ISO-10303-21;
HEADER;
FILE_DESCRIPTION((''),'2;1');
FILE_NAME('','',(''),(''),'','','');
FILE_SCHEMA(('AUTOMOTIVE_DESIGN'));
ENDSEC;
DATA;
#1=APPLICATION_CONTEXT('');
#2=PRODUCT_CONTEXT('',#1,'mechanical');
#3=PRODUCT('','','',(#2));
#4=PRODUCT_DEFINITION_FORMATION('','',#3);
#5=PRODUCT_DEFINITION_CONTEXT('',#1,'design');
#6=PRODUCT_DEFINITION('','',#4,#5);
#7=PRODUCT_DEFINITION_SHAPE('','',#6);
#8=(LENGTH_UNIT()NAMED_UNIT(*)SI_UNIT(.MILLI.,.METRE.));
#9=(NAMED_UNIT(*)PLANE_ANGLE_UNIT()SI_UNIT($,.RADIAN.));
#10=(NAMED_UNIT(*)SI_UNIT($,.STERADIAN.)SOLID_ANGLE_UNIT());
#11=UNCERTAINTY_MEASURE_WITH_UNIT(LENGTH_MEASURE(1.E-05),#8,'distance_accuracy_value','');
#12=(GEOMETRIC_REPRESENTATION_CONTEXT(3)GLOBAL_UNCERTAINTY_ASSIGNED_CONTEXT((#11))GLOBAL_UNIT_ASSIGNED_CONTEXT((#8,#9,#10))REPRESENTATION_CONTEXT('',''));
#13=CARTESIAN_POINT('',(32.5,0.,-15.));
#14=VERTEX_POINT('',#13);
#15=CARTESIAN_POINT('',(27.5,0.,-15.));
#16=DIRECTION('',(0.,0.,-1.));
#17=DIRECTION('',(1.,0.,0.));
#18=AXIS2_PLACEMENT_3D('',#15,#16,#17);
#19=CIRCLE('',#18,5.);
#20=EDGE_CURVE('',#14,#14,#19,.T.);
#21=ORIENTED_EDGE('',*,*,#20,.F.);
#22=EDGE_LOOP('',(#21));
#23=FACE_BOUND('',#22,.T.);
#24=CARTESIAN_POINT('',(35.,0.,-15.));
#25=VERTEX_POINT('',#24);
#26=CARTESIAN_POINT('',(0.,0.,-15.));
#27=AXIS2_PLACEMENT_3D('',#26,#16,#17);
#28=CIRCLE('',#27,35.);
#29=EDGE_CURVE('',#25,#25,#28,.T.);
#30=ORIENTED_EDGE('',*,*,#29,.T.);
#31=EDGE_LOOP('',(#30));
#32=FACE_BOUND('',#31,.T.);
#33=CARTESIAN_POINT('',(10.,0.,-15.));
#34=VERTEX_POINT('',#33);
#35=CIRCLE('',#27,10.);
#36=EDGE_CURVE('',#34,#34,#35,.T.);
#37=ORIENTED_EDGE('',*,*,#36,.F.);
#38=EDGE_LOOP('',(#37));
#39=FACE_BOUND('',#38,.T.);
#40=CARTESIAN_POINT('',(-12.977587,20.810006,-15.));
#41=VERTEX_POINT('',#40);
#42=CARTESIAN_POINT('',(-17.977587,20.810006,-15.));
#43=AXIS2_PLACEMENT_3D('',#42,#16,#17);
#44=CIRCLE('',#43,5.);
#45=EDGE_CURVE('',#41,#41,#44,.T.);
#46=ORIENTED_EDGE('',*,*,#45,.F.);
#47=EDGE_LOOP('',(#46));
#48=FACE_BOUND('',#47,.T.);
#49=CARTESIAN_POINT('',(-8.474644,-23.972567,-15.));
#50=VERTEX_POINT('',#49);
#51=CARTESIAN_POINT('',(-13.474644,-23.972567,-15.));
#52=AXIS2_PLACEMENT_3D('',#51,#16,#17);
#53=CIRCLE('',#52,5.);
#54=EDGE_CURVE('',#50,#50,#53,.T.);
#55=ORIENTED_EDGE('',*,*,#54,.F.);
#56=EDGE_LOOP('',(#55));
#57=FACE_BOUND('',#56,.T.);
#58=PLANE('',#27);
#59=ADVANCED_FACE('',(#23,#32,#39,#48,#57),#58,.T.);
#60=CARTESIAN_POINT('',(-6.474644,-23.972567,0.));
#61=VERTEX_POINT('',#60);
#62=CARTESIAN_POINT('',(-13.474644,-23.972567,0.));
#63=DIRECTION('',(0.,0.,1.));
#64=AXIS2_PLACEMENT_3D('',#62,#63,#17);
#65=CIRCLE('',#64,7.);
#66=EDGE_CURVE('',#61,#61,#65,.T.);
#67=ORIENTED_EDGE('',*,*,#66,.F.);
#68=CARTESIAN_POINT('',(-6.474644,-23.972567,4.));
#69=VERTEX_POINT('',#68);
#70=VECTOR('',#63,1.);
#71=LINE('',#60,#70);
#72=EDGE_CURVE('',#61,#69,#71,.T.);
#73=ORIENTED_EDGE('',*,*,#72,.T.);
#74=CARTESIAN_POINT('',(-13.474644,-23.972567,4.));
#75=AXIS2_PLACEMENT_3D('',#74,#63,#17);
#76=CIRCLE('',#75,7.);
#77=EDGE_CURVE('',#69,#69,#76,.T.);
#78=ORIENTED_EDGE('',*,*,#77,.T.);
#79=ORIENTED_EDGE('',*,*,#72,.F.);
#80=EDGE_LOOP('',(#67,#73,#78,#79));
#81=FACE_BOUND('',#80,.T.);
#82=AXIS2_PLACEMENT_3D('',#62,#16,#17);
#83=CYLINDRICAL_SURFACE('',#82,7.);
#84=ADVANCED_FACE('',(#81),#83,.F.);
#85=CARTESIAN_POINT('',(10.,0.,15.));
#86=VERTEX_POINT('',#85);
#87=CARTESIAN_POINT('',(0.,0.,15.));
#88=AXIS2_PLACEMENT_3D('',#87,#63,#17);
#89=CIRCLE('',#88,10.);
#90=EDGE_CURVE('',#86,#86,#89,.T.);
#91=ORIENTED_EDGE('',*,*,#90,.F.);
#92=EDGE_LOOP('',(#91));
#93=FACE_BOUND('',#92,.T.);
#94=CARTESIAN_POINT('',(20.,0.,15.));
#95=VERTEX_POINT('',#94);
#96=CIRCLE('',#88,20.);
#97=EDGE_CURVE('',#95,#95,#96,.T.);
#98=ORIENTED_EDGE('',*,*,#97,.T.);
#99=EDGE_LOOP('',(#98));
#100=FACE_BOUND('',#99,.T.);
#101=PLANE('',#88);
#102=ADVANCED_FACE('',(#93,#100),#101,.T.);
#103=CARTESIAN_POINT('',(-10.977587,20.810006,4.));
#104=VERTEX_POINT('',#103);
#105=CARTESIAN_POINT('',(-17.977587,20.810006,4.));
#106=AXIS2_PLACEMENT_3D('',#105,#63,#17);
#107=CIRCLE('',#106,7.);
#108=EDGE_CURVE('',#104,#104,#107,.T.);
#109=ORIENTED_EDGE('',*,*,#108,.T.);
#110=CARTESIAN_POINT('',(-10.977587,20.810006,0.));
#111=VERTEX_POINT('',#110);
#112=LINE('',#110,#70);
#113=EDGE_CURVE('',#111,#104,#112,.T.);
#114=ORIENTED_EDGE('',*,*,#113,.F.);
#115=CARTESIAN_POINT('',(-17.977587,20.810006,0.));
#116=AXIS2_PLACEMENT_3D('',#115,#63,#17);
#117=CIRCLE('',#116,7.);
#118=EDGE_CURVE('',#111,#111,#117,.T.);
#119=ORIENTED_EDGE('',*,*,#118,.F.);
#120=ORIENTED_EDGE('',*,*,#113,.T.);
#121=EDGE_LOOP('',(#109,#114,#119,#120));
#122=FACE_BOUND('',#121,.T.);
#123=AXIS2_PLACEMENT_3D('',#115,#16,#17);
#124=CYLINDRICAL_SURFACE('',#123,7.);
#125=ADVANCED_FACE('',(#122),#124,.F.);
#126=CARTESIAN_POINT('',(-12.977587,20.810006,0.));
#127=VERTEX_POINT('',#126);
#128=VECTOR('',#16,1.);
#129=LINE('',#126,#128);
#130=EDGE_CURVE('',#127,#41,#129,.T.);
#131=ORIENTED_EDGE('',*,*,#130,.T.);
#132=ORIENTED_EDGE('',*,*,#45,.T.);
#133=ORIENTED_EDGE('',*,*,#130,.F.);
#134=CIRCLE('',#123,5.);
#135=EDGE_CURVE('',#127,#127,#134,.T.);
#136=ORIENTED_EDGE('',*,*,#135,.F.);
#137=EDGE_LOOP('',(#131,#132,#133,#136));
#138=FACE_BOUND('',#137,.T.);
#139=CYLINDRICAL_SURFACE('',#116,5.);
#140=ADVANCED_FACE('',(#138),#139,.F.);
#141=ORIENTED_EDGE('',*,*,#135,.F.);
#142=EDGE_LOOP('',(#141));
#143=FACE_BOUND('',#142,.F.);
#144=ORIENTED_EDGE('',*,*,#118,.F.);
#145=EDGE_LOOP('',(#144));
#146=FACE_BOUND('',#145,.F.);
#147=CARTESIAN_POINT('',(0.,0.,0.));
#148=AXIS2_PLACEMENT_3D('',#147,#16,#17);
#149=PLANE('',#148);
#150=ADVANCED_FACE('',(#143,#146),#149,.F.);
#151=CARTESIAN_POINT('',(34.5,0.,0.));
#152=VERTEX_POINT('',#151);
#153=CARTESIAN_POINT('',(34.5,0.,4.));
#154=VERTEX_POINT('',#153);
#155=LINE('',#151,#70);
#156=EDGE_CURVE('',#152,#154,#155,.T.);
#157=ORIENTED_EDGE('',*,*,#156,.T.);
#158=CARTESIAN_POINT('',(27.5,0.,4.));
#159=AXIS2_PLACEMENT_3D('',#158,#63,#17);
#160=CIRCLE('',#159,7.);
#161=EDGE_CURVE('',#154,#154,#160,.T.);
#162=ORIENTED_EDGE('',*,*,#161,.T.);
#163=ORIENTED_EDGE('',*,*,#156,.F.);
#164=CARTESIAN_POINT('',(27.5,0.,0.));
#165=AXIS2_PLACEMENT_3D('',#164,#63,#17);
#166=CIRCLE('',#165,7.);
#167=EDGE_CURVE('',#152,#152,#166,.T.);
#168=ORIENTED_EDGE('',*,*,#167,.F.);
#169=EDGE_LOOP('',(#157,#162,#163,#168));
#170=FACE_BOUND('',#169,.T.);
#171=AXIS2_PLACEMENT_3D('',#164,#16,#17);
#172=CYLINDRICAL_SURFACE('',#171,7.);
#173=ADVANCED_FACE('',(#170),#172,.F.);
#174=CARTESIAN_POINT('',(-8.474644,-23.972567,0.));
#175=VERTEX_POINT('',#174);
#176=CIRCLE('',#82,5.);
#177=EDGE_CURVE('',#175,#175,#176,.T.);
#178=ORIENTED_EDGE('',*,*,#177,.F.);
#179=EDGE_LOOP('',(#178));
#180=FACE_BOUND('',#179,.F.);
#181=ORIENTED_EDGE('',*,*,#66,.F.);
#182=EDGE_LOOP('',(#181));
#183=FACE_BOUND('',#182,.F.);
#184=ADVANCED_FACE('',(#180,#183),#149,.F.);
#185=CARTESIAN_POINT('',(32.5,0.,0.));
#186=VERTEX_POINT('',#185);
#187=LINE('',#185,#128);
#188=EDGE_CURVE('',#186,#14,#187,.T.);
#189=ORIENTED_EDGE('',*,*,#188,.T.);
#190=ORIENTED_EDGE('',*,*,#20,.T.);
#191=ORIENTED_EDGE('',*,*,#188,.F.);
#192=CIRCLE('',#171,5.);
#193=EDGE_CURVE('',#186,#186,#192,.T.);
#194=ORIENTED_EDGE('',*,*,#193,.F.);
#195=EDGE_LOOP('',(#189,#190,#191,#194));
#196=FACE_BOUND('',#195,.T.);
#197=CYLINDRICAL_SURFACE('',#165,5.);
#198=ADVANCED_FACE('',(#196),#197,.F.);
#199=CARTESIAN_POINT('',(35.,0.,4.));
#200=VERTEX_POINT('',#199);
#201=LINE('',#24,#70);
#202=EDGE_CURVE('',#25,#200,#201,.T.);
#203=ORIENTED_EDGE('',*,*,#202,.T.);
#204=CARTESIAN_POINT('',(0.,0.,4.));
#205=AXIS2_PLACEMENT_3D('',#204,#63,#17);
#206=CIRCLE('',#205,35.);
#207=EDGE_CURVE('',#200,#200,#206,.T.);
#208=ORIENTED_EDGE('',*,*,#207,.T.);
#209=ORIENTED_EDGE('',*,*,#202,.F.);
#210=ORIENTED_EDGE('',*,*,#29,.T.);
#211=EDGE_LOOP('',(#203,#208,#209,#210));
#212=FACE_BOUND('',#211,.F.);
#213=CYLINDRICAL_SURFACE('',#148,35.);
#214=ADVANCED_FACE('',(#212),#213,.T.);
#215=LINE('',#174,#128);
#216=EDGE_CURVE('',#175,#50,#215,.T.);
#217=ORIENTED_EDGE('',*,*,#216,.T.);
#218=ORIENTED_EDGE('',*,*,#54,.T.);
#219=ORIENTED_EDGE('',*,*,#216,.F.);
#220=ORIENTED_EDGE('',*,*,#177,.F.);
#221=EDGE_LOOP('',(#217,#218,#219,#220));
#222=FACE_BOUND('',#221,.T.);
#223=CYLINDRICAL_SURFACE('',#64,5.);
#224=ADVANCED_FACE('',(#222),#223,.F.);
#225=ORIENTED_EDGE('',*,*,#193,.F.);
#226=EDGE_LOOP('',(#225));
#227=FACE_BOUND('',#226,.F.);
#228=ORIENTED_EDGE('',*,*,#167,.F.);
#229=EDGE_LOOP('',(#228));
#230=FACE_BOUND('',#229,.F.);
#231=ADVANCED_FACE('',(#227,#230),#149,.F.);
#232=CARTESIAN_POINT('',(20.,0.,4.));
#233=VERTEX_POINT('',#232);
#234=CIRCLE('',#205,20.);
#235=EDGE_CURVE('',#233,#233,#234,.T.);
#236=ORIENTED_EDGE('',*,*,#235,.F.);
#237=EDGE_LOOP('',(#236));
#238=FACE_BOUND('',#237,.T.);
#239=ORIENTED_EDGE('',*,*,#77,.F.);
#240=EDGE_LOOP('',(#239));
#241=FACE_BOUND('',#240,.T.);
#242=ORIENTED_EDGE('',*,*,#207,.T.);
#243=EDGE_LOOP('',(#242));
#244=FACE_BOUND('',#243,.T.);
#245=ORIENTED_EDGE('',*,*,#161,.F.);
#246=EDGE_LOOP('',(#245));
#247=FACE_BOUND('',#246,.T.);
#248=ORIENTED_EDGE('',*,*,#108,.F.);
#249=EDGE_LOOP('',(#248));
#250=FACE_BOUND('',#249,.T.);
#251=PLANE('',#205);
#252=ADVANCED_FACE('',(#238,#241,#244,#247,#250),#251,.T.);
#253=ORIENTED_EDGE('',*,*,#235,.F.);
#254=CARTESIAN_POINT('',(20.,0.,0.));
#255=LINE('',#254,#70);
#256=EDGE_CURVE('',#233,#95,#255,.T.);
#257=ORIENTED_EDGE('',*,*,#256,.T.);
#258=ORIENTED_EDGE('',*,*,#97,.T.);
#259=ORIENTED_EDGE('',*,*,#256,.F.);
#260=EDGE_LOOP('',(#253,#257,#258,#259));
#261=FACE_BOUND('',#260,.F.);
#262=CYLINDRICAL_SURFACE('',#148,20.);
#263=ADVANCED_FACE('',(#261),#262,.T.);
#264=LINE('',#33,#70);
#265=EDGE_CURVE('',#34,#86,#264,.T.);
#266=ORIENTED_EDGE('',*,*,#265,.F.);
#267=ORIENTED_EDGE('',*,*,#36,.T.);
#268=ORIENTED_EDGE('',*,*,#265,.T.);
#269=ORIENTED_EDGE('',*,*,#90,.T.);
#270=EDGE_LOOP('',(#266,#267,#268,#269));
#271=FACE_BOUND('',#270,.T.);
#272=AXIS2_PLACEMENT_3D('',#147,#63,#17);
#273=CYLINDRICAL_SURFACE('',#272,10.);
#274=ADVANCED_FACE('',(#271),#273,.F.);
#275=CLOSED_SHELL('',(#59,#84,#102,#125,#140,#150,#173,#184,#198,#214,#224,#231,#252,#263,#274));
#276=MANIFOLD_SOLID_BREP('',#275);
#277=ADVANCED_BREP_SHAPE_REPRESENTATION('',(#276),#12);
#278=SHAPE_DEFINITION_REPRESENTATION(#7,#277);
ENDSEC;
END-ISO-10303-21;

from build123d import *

# Parameters (mm, degrees)
F0_R     = 20
F0_R_2   = 10
F1_DEPTH = 15
F2_R     = 35
F2_R_2   = 5
F2_R_3   = 10
F3_DEPTH = 15
F4_R     = 35
F4_R_2   = 7
F4_R_3   = 20
F5_DEPTH = 4


with BuildPart() as f1:
    # F0 (on Top) → F1 (new body)
    with BuildSketch(Plane.XY):
        Circle(F0_R)
        Circle(F0_R_2, mode=Mode.SUBTRACT)
    extrude(amount=F1_DEPTH)

    # F2 (on face) → F3 (join)
    with BuildSketch(Plane(origin=(0, 0, 0), x_dir=(1, 0, 0), z_dir=(0, 0, -1))):
        Circle(F2_R)
        with Locations((-17.977587, -20.810006)):
            Circle(F2_R_2, mode=Mode.SUBTRACT)
        with Locations((-13.474644, 23.972567)):
            Circle(F2_R_2, mode=Mode.SUBTRACT)
        Circle(F2_R_3, mode=Mode.SUBTRACT)
        with Locations((27.5, 0)):
            Circle(F2_R_2, mode=Mode.SUBTRACT)
    extrude(amount=F3_DEPTH)

    # F4 (on face) → F5 (join)
    with BuildSketch(Plane.XY):
        Circle(F4_R)
        with Locations((-13.474644, -23.972567)):
            Circle(F4_R_2, mode=Mode.SUBTRACT)
        with Locations((-17.977587, 20.810006)):
            Circle(F4_R_2, mode=Mode.SUBTRACT)
        Circle(F4_R_3, mode=Mode.SUBTRACT)
        with Locations((27.5, 0)):
            Circle(F4_R_2, mode=Mode.SUBTRACT)
    extrude(amount=F5_DEPTH)


solid = f1.part
